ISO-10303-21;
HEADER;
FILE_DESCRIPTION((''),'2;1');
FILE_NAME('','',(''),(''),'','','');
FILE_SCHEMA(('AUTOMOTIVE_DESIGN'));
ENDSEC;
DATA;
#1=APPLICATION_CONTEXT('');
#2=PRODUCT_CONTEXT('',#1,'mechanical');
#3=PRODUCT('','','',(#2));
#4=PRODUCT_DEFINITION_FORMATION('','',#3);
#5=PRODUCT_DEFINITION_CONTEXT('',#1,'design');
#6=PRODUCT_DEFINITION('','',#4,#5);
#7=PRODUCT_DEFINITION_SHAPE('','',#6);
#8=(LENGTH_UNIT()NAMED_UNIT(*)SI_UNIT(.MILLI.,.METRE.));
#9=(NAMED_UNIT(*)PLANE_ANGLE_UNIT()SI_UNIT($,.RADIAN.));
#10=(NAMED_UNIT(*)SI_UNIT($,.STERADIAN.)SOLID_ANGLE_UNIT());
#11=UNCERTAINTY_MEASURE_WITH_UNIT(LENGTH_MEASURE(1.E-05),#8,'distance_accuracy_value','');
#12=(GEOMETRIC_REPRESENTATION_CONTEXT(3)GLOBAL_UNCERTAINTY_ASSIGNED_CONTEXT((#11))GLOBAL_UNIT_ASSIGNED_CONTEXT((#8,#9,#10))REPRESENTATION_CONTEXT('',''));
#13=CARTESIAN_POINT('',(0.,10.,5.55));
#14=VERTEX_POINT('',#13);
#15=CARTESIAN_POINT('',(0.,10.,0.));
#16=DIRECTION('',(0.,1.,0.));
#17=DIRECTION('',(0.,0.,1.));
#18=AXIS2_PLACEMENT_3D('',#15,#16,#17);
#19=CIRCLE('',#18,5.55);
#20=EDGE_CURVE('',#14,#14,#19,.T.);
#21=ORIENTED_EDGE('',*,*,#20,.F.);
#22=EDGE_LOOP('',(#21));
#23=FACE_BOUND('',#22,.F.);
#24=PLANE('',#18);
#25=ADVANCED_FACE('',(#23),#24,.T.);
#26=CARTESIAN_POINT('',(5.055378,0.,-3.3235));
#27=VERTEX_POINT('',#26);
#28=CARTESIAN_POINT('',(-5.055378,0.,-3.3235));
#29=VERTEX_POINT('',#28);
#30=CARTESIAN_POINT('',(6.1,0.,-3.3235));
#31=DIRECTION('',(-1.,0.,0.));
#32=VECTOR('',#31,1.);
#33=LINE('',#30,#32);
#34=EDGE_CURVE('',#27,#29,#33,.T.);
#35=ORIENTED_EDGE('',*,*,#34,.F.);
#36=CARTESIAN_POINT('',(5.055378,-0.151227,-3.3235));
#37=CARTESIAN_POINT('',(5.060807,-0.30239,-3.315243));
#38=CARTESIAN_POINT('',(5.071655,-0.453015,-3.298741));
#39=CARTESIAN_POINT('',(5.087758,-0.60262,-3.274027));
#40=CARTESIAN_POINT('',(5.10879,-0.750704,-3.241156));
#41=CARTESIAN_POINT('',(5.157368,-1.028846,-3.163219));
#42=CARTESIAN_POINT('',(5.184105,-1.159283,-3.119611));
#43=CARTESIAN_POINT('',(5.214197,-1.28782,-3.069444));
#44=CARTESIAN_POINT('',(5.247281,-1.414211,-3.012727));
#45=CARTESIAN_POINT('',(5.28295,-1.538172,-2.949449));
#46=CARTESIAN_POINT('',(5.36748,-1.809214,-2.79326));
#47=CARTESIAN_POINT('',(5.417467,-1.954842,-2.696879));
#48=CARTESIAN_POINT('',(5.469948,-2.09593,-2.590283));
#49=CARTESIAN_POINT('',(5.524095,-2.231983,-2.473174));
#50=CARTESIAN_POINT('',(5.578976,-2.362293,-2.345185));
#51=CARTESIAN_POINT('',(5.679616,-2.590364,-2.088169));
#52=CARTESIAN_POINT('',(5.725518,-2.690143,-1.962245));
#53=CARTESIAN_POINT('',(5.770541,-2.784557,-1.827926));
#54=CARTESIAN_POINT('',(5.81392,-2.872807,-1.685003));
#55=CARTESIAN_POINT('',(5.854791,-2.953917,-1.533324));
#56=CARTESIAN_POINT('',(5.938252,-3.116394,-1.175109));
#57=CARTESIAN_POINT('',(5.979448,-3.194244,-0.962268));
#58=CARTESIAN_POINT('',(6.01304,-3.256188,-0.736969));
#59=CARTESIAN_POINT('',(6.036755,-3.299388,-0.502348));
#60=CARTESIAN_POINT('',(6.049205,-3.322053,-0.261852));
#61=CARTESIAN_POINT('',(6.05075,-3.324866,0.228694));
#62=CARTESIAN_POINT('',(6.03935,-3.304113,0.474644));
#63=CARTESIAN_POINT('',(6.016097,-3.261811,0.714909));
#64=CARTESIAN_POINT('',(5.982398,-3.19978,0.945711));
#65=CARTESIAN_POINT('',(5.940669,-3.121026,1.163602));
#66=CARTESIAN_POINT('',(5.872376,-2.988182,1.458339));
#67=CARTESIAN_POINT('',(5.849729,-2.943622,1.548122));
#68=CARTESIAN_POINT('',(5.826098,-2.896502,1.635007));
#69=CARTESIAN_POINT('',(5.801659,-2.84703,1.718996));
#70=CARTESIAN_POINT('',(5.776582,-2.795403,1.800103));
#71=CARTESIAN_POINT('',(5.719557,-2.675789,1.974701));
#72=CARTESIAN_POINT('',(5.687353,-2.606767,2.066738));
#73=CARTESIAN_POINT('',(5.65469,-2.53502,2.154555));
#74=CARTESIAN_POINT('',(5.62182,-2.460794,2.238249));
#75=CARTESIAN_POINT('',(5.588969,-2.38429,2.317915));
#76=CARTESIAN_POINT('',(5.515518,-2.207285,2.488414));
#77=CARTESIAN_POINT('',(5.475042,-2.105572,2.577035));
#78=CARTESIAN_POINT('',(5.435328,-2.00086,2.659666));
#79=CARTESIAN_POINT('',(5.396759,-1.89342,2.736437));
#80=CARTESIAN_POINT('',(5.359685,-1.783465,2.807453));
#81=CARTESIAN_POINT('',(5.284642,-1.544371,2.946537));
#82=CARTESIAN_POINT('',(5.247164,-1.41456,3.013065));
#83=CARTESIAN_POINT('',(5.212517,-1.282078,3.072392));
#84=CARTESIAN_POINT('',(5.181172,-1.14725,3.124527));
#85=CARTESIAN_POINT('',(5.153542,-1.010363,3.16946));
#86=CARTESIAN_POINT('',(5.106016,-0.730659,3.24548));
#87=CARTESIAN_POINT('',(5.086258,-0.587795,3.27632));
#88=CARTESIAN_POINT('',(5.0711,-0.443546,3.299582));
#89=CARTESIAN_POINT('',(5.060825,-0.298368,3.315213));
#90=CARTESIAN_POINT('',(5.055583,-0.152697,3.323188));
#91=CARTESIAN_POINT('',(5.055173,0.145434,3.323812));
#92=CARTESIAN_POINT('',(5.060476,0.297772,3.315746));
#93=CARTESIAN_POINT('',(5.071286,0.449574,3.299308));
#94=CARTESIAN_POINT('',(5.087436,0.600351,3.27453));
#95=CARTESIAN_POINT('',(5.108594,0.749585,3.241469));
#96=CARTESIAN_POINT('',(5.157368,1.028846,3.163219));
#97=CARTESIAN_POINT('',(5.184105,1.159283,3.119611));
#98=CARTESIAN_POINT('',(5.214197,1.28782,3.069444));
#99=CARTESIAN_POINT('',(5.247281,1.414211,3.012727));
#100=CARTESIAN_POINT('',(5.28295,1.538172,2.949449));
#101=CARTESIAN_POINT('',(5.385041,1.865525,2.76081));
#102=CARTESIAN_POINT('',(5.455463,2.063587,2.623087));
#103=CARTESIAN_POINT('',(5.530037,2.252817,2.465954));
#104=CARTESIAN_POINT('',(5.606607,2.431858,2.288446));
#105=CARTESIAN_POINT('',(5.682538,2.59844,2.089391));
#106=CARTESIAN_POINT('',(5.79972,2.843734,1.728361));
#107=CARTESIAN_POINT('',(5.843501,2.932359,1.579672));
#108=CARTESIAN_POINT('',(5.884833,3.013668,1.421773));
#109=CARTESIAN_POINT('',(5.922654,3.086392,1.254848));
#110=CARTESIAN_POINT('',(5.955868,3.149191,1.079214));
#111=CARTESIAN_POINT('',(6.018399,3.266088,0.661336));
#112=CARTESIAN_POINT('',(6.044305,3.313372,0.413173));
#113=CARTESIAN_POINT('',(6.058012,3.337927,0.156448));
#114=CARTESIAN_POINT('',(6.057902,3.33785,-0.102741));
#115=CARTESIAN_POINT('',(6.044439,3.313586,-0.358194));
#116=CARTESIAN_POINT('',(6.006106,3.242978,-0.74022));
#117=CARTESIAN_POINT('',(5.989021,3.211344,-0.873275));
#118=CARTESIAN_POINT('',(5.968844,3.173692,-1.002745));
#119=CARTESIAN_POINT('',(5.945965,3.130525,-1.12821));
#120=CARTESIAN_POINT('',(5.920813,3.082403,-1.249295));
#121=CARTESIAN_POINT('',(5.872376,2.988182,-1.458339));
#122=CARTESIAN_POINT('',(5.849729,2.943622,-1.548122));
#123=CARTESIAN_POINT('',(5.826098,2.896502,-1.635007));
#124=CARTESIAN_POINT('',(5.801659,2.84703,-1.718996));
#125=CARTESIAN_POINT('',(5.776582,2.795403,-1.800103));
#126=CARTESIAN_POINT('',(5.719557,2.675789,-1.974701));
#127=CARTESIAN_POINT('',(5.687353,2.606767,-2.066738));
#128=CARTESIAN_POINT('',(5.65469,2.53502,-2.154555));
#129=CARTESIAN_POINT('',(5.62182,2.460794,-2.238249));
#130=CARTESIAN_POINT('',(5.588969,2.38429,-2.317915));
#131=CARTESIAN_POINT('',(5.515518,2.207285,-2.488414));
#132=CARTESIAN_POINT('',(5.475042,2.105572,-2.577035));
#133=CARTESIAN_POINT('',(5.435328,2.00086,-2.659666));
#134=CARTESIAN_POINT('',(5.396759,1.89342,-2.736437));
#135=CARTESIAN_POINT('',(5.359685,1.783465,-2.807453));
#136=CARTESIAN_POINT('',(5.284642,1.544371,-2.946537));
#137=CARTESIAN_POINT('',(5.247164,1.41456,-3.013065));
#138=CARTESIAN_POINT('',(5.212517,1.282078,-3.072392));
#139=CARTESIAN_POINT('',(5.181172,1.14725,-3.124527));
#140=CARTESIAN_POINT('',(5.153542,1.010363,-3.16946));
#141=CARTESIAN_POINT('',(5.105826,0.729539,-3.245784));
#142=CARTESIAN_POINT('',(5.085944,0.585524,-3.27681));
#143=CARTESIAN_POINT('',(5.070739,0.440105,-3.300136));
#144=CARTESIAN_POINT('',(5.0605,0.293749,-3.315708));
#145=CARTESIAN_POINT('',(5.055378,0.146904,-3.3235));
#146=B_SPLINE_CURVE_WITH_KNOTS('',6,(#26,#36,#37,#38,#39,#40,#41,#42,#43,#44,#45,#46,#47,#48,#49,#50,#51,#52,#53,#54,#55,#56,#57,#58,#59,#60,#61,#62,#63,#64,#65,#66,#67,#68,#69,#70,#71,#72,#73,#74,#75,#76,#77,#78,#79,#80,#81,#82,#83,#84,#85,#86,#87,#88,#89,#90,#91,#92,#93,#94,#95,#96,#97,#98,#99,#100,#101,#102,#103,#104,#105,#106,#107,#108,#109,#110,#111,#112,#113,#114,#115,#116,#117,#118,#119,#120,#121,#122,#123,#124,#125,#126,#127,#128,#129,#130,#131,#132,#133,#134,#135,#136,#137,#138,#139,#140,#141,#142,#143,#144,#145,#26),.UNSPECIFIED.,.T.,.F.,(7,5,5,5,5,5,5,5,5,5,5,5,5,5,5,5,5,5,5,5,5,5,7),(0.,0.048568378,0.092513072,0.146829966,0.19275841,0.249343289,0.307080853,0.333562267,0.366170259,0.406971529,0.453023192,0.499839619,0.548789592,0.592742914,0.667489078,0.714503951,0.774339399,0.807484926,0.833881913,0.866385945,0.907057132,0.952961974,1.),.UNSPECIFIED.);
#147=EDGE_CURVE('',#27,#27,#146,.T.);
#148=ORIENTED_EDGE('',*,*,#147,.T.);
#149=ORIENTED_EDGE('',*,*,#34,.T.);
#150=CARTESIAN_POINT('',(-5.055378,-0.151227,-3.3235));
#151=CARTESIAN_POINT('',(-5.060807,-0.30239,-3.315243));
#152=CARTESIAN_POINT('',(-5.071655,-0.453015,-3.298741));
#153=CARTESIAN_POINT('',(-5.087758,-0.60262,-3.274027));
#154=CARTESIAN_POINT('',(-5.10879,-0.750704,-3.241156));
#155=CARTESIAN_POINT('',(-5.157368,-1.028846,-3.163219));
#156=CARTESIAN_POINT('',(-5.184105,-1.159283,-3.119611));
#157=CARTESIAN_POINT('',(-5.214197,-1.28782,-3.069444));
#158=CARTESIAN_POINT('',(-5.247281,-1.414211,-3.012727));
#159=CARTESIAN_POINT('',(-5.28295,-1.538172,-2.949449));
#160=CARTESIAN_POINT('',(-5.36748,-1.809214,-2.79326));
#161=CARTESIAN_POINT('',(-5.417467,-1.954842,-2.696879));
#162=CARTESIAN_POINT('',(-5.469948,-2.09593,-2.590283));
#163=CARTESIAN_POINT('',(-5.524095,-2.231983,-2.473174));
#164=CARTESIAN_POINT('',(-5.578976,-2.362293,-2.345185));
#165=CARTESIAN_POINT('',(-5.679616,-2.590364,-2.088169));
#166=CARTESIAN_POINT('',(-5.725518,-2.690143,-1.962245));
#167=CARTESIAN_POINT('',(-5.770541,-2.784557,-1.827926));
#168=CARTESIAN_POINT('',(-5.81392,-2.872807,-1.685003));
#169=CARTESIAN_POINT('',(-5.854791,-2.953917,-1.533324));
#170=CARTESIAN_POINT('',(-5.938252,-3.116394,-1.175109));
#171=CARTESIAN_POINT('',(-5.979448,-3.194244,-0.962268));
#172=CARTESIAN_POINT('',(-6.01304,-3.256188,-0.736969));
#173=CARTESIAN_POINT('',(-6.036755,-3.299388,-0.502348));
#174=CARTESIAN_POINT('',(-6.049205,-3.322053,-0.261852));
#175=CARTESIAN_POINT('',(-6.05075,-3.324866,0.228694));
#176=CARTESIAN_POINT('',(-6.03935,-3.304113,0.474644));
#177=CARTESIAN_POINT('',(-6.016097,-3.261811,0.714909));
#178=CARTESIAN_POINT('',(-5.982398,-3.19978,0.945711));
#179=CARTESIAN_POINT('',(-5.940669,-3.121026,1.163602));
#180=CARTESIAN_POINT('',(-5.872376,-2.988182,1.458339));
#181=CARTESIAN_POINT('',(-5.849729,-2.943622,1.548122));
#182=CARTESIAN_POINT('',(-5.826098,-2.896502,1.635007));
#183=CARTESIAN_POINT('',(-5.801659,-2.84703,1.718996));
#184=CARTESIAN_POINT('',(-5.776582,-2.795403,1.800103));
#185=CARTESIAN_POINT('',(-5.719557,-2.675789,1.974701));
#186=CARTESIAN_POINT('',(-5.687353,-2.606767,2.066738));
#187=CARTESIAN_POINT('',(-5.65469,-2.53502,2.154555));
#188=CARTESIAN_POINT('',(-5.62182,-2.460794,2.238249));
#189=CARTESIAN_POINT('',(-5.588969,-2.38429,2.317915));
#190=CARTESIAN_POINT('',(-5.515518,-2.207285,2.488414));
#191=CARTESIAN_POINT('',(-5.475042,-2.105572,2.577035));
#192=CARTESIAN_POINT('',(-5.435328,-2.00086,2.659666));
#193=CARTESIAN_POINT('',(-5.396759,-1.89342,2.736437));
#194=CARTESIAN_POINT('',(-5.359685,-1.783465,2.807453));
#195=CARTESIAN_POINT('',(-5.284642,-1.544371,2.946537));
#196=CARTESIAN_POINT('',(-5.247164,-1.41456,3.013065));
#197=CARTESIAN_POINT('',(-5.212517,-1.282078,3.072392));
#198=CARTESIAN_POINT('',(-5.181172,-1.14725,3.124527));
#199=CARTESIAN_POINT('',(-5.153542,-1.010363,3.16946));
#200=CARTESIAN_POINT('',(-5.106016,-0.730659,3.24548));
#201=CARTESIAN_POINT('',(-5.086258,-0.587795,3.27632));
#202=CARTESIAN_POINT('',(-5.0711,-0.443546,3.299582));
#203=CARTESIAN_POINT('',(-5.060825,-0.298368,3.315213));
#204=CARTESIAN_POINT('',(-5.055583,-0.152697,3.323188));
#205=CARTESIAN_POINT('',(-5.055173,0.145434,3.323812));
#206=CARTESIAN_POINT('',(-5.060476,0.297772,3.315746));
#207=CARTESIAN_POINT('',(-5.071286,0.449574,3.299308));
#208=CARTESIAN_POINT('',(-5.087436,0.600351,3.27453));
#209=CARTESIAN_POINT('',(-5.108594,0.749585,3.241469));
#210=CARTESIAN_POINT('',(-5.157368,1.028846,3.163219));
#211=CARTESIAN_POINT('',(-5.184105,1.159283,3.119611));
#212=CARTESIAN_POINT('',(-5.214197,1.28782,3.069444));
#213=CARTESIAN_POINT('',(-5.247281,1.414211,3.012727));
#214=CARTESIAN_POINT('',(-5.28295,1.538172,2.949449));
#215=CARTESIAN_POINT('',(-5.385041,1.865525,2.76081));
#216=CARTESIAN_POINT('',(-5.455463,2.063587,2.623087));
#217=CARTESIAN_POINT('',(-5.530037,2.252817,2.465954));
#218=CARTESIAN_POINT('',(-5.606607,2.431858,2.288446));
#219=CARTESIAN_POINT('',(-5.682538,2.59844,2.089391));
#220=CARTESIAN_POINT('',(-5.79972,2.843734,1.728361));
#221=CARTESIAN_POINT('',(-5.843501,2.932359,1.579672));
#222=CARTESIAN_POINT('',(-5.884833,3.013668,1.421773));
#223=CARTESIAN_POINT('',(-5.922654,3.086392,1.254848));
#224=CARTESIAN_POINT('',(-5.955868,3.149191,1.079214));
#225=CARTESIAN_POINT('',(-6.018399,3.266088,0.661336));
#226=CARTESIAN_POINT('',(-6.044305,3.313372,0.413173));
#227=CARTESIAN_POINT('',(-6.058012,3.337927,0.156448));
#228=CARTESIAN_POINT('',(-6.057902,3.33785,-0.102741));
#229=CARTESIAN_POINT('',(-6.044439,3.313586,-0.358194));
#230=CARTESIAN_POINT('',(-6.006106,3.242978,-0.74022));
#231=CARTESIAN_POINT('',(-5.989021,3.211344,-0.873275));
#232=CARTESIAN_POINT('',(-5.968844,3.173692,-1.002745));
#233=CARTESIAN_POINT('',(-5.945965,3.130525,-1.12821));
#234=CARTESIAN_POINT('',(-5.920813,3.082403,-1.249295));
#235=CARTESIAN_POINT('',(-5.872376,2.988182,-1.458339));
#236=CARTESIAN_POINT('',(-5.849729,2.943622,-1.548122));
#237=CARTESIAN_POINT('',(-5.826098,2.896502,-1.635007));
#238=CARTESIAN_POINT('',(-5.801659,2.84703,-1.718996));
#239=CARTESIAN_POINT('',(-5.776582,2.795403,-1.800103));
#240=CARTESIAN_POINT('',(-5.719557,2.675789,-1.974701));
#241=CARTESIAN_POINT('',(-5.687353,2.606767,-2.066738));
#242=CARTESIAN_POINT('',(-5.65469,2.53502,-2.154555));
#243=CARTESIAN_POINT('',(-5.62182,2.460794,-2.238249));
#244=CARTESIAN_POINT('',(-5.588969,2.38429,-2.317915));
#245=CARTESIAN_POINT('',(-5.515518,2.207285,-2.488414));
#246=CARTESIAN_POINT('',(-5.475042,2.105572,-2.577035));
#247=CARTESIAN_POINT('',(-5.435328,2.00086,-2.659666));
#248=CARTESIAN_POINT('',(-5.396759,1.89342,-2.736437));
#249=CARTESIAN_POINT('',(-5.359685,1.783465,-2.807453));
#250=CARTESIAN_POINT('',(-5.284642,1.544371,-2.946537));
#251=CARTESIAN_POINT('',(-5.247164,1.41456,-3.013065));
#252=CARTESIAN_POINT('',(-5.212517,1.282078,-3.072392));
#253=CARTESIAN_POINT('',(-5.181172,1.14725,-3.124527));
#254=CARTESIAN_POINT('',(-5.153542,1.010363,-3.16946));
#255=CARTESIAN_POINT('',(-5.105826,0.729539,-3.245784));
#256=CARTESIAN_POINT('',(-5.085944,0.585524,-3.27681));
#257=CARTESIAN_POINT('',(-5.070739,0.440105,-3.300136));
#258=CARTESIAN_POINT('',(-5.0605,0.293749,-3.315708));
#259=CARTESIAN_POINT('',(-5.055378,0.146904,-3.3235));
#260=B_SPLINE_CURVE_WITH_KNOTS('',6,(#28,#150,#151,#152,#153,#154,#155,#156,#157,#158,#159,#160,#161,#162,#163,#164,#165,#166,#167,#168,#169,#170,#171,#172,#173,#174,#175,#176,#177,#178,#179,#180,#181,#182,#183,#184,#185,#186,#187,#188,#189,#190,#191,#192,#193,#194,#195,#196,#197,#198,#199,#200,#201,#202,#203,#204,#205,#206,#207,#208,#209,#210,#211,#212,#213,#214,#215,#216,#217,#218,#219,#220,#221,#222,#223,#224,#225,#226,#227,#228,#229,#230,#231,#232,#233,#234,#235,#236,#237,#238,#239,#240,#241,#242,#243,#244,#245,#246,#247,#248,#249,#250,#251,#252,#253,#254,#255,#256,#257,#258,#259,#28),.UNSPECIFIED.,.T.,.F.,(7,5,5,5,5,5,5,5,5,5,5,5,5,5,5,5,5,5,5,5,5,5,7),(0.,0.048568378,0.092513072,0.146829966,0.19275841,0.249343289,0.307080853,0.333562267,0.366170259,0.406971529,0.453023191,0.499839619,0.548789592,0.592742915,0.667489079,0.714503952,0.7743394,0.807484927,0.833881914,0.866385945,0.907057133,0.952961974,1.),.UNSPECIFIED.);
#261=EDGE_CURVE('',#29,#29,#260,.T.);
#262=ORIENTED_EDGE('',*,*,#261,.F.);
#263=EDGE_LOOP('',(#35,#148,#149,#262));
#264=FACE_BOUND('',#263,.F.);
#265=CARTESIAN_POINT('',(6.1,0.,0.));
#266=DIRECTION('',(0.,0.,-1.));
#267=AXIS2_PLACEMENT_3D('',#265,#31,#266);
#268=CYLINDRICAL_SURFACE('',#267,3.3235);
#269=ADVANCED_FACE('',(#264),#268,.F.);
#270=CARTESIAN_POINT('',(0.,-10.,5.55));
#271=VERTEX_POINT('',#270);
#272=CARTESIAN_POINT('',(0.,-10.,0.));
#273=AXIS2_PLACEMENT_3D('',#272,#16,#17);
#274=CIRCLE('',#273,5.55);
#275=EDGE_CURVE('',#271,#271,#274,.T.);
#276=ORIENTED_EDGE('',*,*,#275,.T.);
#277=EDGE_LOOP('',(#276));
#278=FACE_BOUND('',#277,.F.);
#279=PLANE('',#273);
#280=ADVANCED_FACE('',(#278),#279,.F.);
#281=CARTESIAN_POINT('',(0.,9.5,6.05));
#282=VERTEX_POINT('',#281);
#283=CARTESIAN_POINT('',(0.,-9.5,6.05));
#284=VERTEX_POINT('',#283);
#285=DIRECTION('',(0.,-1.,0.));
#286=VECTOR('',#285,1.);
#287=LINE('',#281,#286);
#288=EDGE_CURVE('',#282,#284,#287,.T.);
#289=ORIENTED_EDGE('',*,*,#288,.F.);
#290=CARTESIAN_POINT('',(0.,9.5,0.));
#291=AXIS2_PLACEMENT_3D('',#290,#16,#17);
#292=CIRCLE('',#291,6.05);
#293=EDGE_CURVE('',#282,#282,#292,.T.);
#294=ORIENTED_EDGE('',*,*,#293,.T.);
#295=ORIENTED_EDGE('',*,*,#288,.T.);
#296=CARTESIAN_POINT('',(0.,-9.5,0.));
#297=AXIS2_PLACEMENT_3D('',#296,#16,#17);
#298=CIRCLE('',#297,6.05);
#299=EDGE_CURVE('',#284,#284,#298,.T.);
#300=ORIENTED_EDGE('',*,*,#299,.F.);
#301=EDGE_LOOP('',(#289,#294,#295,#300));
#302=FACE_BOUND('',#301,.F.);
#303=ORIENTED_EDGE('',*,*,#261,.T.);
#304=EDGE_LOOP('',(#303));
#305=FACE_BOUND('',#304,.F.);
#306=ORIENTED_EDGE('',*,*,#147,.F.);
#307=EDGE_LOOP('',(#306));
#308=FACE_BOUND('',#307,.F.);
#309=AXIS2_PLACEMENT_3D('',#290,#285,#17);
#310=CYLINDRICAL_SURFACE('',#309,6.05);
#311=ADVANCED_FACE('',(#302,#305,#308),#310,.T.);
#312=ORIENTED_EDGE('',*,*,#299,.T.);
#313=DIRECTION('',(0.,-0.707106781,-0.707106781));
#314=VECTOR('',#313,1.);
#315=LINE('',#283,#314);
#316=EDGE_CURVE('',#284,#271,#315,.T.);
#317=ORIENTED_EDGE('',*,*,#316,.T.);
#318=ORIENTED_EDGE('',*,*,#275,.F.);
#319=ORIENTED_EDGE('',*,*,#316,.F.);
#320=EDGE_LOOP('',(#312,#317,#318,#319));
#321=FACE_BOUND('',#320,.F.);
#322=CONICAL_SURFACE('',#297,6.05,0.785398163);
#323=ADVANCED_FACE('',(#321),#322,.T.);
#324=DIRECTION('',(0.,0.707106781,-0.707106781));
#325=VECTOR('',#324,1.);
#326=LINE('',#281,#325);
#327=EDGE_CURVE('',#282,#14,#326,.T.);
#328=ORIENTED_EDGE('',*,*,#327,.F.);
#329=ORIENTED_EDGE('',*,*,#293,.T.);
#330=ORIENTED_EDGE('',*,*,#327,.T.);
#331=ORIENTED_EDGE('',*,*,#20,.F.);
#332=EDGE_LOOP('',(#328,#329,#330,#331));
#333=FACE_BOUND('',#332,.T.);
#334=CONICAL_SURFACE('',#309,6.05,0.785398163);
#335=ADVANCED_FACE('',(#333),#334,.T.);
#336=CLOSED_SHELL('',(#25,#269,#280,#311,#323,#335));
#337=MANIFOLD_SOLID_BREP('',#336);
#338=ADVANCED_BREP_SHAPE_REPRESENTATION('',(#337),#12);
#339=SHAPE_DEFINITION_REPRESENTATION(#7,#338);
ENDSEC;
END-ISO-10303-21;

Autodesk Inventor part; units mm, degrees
ref_plane "XZ Plane" through (0, 0, 0) normal (0, 1, 0) x (-1, 0, 0)
ref_plane "XY Plane" through (0, 0, 0) normal (0, 0, 1) x (1, 0, 0)
sketch "Sketch1" plane through (0, 0, 0) normal (1, 0, 0) x (0, 1, 0)
  line L0 (9.5, 6.05) -> (-9.5, 6.05)
  line L1 (-10, 5.55) -> (-10, 0)
  line L2 (-10, 0) -> (10, 0)
  line L3 (10, 0) -> (10, 5.55)
  line L4 (9.5, 6.05) -> (10, 5.55)
  line L5 (-9.5, 6.05) -> (-10, 5.55)
  point P0 (0, 0)
  point P1 (10, 6.05)
  point P2 (-10, 6.05)
  point P3 (0, 0)
  dimension "d0" = 20
  dimension "d1" = 6.05
  dimension "d2" = 0.5
  dimension "d3" = 0.5
  dimension "d4" = 0.5
  dimension "d5" = 0.5
revolve "Pasador Ø12" add sketch "Sketch1" angle 360 about axis through (0, -10, 0) along (0, 1, 0)
ref_plane "Work Plane1" through (6.1, 0, 0) normal (1, 0, 0) x (0, 1, 0)
sketch "Sketch2" plane through (6.1, 0, 0) normal (1, 0, 0) x (0, 1, 0)
  point P0 (0, 0)
  point P1 (0, 0)
hole "M8" at (6.1, 0, 0) at (6.1, 0, 0) direction (-1, 0, 0) diameter 6.647 end through all thread size "M8x1.25" class "6H" standard "ANSI Metric M Profile"
equation "\"d3\" = d2"
equation "\"d4\" = d2"
equation "\"d5\" = d4"
properties part number "Pasador roscado DC" material "Steel, Carbon"
